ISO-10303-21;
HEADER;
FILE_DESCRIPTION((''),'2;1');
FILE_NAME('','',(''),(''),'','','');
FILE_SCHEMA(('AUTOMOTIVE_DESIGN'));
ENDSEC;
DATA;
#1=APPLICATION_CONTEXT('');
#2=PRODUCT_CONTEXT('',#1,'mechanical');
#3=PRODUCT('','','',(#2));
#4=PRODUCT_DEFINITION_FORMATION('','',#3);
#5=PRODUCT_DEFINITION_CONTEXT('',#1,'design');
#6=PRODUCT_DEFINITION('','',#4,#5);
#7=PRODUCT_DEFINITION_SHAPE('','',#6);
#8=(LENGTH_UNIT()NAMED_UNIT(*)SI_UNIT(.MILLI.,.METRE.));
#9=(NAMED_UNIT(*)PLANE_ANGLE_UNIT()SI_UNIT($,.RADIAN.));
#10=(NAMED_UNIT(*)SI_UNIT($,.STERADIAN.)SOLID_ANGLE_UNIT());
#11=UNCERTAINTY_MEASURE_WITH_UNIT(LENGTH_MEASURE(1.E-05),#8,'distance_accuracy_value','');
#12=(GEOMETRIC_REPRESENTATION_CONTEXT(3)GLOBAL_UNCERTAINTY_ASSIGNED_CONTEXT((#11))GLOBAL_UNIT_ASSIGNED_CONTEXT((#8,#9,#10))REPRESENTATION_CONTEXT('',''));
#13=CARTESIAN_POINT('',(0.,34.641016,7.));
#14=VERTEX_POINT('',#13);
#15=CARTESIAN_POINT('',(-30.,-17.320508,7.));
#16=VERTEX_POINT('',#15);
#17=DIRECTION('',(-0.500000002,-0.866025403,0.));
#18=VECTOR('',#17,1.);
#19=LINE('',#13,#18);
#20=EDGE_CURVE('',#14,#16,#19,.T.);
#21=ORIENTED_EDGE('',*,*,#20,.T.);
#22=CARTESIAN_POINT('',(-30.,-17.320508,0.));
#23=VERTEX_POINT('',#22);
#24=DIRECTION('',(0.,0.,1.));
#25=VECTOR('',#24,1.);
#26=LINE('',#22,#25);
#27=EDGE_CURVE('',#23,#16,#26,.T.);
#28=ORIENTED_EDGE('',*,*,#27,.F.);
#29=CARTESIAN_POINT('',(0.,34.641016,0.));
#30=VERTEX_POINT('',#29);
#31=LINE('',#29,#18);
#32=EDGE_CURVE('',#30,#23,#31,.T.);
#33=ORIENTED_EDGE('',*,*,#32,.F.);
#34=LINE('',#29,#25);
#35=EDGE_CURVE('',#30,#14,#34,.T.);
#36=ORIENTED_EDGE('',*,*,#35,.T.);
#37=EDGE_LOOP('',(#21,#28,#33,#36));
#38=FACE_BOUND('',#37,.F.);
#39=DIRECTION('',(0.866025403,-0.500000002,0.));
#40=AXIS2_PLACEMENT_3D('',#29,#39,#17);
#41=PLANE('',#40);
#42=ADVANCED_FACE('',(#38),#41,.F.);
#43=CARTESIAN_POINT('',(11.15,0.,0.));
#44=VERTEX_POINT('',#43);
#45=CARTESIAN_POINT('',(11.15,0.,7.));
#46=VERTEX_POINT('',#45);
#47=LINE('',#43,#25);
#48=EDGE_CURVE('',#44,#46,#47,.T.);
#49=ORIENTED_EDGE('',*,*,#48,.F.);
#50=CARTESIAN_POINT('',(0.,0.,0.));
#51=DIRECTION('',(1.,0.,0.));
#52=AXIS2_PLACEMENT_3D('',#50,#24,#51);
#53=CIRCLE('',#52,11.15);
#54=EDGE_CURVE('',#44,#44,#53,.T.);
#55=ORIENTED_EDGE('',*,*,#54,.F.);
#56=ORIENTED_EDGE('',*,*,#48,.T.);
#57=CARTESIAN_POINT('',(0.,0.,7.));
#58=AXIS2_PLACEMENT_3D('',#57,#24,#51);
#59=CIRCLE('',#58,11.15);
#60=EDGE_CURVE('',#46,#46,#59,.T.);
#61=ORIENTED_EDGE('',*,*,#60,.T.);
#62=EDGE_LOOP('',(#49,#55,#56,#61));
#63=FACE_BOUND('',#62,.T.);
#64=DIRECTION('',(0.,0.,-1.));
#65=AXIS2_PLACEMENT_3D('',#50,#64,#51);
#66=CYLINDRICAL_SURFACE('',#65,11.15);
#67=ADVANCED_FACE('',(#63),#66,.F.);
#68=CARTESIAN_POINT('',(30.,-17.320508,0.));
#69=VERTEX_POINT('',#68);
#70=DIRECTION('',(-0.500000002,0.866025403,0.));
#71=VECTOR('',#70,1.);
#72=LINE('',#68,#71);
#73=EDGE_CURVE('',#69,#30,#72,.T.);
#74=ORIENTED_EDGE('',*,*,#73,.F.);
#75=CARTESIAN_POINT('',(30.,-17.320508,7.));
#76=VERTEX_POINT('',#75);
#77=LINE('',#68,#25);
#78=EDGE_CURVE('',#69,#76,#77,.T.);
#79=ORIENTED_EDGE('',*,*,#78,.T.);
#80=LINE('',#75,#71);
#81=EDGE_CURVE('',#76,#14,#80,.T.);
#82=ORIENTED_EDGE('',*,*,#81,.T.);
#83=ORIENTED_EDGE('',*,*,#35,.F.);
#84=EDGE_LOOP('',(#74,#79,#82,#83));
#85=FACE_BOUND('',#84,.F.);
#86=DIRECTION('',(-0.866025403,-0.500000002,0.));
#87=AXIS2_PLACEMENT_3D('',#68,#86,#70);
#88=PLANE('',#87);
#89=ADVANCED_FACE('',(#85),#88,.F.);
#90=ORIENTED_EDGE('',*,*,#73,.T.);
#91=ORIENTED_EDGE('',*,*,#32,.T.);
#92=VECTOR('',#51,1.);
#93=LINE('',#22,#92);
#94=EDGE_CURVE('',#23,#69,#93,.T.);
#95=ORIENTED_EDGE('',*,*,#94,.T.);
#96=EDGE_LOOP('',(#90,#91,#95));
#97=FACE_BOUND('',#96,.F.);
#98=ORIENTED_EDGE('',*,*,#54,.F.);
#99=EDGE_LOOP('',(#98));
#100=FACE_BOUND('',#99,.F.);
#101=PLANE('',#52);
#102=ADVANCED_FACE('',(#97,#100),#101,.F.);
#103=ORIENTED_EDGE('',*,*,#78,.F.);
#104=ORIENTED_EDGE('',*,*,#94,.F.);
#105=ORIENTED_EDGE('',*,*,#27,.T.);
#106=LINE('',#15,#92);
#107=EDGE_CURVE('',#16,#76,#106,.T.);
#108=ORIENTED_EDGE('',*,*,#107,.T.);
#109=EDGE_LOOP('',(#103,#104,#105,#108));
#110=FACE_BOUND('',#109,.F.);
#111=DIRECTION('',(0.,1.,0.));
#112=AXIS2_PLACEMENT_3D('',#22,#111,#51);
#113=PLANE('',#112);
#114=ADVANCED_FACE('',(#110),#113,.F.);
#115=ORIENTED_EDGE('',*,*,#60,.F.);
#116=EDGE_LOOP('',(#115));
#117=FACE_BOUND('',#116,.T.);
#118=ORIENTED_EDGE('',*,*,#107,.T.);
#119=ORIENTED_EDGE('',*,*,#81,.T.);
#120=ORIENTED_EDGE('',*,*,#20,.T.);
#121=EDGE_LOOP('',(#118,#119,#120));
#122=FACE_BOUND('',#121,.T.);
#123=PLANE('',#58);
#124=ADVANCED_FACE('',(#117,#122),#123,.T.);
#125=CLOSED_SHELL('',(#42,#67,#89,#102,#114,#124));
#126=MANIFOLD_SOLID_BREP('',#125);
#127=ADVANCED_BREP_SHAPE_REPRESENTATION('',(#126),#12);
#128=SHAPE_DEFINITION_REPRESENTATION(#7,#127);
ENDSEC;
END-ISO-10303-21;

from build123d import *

# Parameters (mm, degrees)
F0_R     = 11.15
F1_DEPTH = 7


with BuildPart() as f1:
    # F0 (on Top) → F1 (new body)
    with BuildSketch(Plane.XY):
        Polygon((-30, -17.320508), (30, -17.320508), (0, 34.641016), align=None)
        Circle(F0_R, mode=Mode.SUBTRACT)
    extrude(amount=F1_DEPTH)


solid = f1.part
